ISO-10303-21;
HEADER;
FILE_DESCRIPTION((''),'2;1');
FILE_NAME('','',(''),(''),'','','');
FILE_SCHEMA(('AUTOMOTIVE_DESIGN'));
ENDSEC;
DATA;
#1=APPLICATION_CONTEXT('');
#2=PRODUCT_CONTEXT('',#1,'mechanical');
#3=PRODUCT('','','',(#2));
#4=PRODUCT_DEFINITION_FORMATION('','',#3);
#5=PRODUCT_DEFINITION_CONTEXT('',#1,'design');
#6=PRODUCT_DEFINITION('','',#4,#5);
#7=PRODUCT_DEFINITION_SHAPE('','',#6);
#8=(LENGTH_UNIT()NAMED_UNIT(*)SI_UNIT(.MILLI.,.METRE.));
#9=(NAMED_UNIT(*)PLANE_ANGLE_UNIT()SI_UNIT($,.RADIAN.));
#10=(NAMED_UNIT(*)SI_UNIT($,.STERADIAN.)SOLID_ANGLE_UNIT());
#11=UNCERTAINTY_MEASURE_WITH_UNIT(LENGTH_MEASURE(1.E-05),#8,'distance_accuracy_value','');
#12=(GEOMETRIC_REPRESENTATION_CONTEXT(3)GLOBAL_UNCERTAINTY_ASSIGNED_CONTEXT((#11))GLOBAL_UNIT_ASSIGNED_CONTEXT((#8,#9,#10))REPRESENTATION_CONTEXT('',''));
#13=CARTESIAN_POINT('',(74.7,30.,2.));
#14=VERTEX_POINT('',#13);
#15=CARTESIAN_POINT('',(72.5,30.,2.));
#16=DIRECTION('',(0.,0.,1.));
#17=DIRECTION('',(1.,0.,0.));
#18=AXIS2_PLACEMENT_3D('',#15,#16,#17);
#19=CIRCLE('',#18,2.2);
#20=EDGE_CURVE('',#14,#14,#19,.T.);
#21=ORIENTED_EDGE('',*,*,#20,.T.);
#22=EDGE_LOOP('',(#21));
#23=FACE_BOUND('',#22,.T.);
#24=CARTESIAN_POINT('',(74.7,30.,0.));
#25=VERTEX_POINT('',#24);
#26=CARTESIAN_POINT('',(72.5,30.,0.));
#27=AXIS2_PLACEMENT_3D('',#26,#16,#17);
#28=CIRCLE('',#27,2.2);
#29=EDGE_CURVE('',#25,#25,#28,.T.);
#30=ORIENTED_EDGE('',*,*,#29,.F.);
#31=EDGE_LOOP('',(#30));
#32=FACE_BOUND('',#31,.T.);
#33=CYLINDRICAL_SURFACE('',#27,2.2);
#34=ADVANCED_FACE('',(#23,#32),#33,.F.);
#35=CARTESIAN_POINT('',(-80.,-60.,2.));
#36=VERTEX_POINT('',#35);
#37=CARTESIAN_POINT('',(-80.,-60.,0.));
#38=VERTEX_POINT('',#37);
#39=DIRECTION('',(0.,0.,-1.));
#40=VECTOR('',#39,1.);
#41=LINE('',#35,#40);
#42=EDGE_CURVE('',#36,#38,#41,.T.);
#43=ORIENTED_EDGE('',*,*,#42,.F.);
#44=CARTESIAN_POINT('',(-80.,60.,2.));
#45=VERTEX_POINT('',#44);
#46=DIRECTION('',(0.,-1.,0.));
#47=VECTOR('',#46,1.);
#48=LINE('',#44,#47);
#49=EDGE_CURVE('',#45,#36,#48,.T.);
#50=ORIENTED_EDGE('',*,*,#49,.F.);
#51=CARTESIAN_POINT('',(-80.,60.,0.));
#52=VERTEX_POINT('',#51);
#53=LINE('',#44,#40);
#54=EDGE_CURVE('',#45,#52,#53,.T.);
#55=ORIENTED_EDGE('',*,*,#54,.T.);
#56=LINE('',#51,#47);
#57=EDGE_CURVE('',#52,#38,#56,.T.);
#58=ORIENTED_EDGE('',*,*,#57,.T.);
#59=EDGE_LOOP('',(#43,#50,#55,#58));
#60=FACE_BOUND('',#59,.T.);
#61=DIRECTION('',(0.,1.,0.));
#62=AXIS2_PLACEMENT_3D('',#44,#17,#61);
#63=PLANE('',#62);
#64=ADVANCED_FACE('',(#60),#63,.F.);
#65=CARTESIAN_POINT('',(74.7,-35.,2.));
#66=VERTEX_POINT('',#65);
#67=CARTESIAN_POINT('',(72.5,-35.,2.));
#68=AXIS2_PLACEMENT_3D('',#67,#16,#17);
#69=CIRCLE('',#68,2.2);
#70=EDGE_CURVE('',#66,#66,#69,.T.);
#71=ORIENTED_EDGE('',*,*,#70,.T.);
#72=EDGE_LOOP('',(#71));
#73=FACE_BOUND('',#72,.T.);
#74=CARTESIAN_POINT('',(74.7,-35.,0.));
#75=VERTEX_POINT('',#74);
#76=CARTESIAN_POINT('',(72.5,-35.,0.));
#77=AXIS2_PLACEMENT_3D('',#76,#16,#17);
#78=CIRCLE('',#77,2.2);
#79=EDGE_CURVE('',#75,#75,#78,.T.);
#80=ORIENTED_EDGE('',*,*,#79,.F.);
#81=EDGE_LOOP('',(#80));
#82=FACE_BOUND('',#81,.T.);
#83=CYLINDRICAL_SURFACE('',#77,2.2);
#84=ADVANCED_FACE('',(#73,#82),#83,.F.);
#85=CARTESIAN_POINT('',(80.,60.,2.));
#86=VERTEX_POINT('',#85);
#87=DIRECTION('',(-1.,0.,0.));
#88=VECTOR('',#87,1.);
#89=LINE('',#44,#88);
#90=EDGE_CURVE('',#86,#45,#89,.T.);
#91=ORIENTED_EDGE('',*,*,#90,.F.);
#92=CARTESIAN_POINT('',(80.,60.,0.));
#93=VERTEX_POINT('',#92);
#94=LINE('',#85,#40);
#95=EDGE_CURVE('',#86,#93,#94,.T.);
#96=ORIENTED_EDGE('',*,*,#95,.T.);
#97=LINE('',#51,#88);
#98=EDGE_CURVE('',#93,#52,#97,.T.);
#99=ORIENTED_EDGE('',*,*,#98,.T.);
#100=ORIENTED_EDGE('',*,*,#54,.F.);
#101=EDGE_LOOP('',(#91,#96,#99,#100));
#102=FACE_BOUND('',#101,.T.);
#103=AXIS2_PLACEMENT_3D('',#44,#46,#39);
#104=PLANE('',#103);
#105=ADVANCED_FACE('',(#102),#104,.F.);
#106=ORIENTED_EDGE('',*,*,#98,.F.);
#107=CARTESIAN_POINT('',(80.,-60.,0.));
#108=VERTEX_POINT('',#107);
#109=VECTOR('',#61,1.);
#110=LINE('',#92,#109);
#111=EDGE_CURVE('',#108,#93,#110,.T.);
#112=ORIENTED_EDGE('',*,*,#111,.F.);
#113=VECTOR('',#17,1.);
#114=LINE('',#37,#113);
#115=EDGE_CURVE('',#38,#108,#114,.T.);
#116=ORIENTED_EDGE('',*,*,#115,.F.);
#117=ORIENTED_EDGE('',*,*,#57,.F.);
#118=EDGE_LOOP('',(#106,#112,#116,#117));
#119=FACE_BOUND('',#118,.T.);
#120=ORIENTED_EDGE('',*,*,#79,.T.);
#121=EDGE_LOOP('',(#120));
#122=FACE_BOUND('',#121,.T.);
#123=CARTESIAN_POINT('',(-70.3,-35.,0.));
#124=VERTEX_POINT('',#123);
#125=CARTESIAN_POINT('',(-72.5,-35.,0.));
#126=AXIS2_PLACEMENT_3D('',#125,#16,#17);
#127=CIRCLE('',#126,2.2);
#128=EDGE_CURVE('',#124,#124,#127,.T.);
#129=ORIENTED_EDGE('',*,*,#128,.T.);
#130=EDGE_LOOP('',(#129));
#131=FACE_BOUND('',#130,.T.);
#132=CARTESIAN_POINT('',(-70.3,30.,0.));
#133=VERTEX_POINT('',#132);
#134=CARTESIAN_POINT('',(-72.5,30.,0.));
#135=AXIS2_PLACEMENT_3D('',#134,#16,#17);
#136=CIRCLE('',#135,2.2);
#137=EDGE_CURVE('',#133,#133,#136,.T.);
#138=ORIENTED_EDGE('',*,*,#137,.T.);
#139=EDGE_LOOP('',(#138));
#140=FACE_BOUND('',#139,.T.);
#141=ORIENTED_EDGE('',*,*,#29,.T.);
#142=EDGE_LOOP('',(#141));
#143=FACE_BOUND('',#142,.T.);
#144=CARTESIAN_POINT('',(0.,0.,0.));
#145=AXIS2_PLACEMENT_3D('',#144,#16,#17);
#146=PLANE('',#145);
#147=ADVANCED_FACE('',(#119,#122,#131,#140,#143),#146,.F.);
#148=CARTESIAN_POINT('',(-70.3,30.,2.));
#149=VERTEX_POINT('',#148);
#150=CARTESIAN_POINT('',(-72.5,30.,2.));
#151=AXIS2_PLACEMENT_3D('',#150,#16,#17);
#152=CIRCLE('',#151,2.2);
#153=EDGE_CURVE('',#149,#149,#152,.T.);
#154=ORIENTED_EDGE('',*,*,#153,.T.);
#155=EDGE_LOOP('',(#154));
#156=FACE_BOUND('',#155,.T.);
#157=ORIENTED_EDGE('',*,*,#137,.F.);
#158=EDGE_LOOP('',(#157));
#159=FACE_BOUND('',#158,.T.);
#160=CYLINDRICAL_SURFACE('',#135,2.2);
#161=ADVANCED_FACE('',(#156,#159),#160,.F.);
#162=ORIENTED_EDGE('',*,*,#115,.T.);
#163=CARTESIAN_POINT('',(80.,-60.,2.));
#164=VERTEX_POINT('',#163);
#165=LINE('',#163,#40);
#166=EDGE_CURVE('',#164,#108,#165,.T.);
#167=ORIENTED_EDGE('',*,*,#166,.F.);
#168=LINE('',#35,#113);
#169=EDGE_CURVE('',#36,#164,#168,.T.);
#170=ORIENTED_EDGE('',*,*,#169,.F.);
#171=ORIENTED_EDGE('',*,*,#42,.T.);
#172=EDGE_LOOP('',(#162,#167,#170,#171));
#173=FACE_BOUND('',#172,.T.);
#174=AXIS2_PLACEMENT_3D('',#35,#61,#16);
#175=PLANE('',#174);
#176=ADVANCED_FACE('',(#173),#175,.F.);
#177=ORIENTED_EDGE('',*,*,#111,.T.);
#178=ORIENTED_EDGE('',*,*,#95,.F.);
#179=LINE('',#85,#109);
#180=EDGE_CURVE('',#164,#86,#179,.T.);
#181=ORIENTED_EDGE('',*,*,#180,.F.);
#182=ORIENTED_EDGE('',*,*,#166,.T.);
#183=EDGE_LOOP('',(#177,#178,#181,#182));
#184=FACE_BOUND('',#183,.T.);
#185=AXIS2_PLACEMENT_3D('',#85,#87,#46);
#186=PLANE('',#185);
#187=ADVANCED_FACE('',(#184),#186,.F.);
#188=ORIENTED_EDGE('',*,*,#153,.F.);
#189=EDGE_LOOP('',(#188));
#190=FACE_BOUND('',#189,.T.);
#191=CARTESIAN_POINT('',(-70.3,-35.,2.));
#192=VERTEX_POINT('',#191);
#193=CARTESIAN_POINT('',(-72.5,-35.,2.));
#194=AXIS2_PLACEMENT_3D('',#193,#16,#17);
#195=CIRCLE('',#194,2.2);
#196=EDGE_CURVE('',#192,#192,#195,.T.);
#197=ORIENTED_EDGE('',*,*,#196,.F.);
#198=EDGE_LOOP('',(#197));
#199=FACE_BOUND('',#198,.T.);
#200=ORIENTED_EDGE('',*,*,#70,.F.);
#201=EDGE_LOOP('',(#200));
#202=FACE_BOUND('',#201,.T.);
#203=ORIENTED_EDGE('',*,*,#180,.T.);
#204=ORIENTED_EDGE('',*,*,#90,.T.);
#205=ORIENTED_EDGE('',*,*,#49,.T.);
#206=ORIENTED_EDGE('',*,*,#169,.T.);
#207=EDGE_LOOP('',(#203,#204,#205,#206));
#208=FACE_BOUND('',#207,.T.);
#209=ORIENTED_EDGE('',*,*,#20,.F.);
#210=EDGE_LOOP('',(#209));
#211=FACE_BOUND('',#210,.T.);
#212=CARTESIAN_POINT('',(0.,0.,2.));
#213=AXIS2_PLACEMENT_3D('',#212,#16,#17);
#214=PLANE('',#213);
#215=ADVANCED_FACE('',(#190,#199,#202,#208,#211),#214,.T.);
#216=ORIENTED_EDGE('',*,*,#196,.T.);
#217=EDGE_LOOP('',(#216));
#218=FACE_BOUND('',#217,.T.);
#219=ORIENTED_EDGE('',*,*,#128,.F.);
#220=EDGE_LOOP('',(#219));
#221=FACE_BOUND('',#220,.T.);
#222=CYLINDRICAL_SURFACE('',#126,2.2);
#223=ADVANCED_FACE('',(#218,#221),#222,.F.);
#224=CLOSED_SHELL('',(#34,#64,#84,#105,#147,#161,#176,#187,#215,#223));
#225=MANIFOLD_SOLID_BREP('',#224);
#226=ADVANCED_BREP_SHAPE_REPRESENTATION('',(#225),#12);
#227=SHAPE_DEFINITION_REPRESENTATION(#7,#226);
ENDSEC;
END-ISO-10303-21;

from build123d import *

# Parameters (mm, degrees)
SKETCH_1_W          = 160
SKETCH_1_H          = 120
EXTRUDE_1_DEPTH     = 2
SKETCH_2_R          = 2.2
CUT_EXTRUDE_1_DEPTH = 2


with BuildPart() as part:
    # ｽｹｯﾁ1 → ﾎﾞｽ - 押し出し1 (new body)
    with BuildSketch(Plane.XY):
        Rectangle(SKETCH_1_W, SKETCH_1_H)
    extrude(amount=EXTRUDE_1_DEPTH)

    # ｽｹｯﾁ2 → ｶｯﾄ - 押し出し1 (cut)
    with BuildSketch(Plane.XY.offset(2)):
        with Locations((-72.5, -35)):
            Circle(SKETCH_2_R)
        with Locations((-72.5, 30)):
            Circle(SKETCH_2_R)
        with Locations((72.5, -35)):
            Circle(SKETCH_2_R)
        with Locations((72.5, 30)):
            Circle(SKETCH_2_R)
    extrude(amount=-CUT_EXTRUDE_1_DEPTH, mode=Mode.SUBTRACT)


solid = part.part
